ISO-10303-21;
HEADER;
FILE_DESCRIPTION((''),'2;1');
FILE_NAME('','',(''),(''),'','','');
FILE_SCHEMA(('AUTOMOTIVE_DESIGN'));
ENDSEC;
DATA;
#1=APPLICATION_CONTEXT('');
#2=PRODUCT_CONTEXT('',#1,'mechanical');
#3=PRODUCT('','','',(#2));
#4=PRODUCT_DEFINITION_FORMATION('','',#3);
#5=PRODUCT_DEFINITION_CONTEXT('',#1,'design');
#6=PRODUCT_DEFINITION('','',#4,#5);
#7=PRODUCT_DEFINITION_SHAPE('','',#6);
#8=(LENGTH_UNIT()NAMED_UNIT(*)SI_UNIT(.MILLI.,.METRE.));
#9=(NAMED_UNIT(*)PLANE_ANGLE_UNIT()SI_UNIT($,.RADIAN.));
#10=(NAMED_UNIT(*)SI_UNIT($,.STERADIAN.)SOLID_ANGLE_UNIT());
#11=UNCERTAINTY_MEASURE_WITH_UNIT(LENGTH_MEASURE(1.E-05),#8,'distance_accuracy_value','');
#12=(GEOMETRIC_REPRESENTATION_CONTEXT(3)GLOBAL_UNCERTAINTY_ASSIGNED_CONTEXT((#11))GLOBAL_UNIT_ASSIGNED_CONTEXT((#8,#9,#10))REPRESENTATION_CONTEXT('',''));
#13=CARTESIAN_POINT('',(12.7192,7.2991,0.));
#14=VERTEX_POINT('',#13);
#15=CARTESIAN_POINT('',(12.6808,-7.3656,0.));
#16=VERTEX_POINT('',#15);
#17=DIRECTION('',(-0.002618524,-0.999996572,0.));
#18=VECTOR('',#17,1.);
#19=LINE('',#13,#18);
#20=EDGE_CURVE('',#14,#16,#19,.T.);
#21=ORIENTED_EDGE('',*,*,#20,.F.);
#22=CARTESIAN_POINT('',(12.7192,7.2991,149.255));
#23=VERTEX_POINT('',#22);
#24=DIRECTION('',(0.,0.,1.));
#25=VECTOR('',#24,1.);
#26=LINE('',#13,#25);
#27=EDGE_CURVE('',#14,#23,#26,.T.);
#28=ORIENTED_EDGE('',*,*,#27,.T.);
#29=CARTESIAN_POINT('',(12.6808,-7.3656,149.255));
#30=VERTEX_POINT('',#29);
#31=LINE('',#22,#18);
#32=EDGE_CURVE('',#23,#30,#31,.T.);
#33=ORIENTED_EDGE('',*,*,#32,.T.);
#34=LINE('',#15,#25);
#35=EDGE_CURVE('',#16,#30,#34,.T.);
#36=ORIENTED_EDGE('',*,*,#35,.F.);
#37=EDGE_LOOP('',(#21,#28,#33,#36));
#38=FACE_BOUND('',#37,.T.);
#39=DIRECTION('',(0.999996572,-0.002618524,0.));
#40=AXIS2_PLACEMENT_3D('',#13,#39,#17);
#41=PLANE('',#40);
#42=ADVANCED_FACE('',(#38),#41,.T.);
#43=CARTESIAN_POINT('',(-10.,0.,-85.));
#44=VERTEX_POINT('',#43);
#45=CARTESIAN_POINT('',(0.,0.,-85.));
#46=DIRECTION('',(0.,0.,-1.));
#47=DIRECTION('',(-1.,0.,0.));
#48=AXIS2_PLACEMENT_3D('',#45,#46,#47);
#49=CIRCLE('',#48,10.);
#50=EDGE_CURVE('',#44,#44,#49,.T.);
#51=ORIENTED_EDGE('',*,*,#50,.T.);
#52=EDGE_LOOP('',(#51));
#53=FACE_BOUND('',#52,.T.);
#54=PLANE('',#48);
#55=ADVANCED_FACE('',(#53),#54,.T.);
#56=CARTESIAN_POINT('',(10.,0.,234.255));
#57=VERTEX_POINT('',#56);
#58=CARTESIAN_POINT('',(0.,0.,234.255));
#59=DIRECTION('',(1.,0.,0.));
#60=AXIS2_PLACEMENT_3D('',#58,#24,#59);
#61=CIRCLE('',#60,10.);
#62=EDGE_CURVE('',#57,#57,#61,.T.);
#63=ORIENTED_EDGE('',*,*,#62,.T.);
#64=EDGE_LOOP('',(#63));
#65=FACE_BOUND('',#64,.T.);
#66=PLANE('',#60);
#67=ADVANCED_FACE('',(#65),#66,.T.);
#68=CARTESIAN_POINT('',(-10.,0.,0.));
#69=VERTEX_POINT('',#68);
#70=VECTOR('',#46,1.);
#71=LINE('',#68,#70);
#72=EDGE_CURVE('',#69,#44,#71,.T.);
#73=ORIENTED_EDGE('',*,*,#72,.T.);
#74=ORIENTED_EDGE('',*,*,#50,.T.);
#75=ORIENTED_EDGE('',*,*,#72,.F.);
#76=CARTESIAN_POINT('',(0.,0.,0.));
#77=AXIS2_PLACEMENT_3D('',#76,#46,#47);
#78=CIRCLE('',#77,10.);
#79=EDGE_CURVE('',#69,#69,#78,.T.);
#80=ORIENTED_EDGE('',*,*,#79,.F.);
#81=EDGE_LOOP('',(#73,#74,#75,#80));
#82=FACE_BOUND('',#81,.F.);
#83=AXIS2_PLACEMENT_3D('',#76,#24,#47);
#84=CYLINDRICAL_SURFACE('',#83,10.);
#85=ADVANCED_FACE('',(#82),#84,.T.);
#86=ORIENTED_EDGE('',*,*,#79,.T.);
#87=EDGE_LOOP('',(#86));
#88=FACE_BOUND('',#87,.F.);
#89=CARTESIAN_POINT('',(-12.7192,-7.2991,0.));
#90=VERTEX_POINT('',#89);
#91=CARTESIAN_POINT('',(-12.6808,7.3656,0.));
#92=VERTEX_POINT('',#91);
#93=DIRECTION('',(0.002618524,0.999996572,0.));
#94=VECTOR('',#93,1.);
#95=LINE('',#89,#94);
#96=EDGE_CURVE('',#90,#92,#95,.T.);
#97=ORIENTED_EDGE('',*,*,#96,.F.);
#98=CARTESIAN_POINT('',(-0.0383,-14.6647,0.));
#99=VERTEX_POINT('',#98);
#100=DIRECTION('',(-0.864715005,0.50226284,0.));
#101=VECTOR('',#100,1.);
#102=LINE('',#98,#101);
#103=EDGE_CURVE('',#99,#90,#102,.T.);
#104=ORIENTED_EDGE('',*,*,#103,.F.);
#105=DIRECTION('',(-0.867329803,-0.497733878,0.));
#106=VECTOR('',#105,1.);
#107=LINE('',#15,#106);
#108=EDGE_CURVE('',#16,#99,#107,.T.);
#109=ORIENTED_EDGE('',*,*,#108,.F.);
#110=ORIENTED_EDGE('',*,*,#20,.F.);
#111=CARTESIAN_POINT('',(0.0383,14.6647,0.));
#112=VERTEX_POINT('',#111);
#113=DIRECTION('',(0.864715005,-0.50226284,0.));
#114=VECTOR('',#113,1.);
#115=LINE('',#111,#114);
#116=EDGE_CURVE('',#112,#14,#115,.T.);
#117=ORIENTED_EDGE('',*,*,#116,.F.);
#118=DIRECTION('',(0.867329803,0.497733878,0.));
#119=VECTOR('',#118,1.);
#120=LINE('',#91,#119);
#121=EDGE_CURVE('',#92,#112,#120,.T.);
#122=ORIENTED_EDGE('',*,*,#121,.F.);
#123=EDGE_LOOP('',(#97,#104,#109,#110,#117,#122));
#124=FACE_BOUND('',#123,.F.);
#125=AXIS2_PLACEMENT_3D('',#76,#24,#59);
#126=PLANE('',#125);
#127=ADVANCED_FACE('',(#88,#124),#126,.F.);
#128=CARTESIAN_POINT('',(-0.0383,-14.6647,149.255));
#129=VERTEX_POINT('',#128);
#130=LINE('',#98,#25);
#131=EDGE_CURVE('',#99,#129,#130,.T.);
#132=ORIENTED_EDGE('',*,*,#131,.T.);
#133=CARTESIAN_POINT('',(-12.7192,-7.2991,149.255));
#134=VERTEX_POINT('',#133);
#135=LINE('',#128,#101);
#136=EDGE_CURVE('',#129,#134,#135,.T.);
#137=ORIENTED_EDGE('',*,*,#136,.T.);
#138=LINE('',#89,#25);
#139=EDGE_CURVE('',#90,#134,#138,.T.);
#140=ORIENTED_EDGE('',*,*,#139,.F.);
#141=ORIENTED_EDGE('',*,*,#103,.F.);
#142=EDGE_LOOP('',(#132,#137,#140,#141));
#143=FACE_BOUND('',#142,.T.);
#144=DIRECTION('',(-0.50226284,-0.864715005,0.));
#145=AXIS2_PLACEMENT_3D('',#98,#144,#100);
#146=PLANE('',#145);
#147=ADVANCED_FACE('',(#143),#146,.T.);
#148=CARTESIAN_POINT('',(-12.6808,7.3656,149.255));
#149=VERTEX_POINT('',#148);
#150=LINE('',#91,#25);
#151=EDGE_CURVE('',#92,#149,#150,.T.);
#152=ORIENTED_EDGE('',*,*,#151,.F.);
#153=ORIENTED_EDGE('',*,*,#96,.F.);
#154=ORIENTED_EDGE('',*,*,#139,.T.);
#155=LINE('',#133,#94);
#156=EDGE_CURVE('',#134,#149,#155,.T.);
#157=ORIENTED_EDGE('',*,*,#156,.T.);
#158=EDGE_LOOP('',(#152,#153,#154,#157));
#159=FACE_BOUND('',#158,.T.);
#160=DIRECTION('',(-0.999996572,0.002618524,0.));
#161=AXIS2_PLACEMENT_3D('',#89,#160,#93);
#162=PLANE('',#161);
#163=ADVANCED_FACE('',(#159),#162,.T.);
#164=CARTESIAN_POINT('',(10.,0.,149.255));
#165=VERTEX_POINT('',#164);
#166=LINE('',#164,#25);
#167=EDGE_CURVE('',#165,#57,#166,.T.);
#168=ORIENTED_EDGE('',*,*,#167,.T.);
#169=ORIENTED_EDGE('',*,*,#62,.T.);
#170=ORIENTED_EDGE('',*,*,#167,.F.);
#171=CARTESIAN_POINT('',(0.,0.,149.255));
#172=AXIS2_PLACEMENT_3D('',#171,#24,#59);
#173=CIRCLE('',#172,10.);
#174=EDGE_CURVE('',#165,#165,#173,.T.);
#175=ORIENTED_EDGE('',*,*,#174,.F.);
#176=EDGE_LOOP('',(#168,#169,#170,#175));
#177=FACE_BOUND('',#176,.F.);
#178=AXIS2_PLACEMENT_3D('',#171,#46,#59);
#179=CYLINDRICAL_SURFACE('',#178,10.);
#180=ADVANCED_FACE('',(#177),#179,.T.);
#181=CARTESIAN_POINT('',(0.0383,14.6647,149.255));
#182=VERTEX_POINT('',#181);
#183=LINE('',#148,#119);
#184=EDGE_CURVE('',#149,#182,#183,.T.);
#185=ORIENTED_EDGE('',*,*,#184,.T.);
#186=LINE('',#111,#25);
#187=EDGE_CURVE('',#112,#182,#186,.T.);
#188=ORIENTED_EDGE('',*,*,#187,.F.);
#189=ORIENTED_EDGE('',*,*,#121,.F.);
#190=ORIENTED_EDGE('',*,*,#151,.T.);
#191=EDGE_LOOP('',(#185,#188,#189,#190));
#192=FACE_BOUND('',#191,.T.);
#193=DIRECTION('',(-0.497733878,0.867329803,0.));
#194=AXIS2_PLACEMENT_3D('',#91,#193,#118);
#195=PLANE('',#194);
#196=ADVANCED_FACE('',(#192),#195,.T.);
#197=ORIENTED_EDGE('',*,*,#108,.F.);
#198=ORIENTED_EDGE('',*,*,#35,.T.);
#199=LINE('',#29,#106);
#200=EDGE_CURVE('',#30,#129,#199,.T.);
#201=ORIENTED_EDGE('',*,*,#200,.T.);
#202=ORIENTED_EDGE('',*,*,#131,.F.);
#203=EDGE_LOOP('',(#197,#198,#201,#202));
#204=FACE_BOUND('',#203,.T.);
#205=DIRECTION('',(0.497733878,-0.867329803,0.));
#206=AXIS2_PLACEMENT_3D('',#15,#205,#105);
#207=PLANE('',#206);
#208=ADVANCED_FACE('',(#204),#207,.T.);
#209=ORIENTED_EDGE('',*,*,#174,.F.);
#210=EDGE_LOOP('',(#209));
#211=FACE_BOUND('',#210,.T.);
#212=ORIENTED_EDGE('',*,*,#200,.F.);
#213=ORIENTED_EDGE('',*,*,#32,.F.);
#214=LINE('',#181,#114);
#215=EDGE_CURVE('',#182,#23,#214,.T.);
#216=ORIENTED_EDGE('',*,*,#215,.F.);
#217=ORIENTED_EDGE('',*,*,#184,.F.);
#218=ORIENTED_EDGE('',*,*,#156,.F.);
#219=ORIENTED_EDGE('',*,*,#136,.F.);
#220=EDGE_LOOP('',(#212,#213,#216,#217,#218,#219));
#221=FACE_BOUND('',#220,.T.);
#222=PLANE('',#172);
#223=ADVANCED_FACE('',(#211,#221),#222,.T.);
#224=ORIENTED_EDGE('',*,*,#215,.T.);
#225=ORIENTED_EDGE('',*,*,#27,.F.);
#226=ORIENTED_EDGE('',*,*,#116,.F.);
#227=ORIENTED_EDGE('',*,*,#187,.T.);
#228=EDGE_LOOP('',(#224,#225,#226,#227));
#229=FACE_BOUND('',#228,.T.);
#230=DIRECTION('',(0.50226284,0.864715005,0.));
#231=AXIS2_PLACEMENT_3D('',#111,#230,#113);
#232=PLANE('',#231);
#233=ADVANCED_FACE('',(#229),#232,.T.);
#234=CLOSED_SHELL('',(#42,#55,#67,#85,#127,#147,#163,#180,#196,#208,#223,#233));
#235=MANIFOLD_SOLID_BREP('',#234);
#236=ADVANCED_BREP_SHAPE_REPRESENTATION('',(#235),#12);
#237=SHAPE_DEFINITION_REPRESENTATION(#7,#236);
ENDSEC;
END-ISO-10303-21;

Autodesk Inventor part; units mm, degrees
ref_plane "YZ Plane" through (0, 0, 0) normal (1, 0, 0) x (0, 1, 0)
ref_plane "XZ Plane" through (0, 0, 0) normal (0, 1, 0) x (-1, 0, 0)
ref_plane "XY Plane" through (0, 0, 0) normal (0, 0, 1) x (1, 0, 0)
sketch "Sketch1" plane through (0, 0, 0) normal (0, 0, 1) x (1, 0, 0)
  line L0 (-12.6808, 7.3656) -> (0.0383, 14.6647)
  line L1 (0.0383, 14.6647) -> (12.7192, 7.2991)
  line L2 (12.7192, 7.2991) -> (12.6808, -7.3656)
  line L3 (12.6808, -7.3656) -> (-0.0383, -14.6647)
  line L4 (-0.0383, -14.6647) -> (-12.7192, -7.2991)
  line L5 (-12.7192, -7.2991) -> (-12.6808, 7.3656)
  point P0 (0, 0)
  dimension "d10" = 29.3294
extrude "Extrusion1" add sketch "Sketch1" along normal blind 149.255
sketch "Sketch2" plane through (0, 0, 0) normal (0, 0, -1) x (-1, 0, 0)
  circle A0 centre (0, 0) radius 10
  dimension "d13" = 20
sketch "Sketch3" plane through (0, 0, 149.255) normal (0, 0, 1) x (1, 0, 0)
  circle A0 centre (0, 0) radius 10
  dimension "d14" = 20
extrude "Extrusion2" add sketch "Sketch3" along normal blind 85
extrude "Extrusion3" add sketch "Sketch2" along normal blind 85
properties part number "HexBar1Inch"
